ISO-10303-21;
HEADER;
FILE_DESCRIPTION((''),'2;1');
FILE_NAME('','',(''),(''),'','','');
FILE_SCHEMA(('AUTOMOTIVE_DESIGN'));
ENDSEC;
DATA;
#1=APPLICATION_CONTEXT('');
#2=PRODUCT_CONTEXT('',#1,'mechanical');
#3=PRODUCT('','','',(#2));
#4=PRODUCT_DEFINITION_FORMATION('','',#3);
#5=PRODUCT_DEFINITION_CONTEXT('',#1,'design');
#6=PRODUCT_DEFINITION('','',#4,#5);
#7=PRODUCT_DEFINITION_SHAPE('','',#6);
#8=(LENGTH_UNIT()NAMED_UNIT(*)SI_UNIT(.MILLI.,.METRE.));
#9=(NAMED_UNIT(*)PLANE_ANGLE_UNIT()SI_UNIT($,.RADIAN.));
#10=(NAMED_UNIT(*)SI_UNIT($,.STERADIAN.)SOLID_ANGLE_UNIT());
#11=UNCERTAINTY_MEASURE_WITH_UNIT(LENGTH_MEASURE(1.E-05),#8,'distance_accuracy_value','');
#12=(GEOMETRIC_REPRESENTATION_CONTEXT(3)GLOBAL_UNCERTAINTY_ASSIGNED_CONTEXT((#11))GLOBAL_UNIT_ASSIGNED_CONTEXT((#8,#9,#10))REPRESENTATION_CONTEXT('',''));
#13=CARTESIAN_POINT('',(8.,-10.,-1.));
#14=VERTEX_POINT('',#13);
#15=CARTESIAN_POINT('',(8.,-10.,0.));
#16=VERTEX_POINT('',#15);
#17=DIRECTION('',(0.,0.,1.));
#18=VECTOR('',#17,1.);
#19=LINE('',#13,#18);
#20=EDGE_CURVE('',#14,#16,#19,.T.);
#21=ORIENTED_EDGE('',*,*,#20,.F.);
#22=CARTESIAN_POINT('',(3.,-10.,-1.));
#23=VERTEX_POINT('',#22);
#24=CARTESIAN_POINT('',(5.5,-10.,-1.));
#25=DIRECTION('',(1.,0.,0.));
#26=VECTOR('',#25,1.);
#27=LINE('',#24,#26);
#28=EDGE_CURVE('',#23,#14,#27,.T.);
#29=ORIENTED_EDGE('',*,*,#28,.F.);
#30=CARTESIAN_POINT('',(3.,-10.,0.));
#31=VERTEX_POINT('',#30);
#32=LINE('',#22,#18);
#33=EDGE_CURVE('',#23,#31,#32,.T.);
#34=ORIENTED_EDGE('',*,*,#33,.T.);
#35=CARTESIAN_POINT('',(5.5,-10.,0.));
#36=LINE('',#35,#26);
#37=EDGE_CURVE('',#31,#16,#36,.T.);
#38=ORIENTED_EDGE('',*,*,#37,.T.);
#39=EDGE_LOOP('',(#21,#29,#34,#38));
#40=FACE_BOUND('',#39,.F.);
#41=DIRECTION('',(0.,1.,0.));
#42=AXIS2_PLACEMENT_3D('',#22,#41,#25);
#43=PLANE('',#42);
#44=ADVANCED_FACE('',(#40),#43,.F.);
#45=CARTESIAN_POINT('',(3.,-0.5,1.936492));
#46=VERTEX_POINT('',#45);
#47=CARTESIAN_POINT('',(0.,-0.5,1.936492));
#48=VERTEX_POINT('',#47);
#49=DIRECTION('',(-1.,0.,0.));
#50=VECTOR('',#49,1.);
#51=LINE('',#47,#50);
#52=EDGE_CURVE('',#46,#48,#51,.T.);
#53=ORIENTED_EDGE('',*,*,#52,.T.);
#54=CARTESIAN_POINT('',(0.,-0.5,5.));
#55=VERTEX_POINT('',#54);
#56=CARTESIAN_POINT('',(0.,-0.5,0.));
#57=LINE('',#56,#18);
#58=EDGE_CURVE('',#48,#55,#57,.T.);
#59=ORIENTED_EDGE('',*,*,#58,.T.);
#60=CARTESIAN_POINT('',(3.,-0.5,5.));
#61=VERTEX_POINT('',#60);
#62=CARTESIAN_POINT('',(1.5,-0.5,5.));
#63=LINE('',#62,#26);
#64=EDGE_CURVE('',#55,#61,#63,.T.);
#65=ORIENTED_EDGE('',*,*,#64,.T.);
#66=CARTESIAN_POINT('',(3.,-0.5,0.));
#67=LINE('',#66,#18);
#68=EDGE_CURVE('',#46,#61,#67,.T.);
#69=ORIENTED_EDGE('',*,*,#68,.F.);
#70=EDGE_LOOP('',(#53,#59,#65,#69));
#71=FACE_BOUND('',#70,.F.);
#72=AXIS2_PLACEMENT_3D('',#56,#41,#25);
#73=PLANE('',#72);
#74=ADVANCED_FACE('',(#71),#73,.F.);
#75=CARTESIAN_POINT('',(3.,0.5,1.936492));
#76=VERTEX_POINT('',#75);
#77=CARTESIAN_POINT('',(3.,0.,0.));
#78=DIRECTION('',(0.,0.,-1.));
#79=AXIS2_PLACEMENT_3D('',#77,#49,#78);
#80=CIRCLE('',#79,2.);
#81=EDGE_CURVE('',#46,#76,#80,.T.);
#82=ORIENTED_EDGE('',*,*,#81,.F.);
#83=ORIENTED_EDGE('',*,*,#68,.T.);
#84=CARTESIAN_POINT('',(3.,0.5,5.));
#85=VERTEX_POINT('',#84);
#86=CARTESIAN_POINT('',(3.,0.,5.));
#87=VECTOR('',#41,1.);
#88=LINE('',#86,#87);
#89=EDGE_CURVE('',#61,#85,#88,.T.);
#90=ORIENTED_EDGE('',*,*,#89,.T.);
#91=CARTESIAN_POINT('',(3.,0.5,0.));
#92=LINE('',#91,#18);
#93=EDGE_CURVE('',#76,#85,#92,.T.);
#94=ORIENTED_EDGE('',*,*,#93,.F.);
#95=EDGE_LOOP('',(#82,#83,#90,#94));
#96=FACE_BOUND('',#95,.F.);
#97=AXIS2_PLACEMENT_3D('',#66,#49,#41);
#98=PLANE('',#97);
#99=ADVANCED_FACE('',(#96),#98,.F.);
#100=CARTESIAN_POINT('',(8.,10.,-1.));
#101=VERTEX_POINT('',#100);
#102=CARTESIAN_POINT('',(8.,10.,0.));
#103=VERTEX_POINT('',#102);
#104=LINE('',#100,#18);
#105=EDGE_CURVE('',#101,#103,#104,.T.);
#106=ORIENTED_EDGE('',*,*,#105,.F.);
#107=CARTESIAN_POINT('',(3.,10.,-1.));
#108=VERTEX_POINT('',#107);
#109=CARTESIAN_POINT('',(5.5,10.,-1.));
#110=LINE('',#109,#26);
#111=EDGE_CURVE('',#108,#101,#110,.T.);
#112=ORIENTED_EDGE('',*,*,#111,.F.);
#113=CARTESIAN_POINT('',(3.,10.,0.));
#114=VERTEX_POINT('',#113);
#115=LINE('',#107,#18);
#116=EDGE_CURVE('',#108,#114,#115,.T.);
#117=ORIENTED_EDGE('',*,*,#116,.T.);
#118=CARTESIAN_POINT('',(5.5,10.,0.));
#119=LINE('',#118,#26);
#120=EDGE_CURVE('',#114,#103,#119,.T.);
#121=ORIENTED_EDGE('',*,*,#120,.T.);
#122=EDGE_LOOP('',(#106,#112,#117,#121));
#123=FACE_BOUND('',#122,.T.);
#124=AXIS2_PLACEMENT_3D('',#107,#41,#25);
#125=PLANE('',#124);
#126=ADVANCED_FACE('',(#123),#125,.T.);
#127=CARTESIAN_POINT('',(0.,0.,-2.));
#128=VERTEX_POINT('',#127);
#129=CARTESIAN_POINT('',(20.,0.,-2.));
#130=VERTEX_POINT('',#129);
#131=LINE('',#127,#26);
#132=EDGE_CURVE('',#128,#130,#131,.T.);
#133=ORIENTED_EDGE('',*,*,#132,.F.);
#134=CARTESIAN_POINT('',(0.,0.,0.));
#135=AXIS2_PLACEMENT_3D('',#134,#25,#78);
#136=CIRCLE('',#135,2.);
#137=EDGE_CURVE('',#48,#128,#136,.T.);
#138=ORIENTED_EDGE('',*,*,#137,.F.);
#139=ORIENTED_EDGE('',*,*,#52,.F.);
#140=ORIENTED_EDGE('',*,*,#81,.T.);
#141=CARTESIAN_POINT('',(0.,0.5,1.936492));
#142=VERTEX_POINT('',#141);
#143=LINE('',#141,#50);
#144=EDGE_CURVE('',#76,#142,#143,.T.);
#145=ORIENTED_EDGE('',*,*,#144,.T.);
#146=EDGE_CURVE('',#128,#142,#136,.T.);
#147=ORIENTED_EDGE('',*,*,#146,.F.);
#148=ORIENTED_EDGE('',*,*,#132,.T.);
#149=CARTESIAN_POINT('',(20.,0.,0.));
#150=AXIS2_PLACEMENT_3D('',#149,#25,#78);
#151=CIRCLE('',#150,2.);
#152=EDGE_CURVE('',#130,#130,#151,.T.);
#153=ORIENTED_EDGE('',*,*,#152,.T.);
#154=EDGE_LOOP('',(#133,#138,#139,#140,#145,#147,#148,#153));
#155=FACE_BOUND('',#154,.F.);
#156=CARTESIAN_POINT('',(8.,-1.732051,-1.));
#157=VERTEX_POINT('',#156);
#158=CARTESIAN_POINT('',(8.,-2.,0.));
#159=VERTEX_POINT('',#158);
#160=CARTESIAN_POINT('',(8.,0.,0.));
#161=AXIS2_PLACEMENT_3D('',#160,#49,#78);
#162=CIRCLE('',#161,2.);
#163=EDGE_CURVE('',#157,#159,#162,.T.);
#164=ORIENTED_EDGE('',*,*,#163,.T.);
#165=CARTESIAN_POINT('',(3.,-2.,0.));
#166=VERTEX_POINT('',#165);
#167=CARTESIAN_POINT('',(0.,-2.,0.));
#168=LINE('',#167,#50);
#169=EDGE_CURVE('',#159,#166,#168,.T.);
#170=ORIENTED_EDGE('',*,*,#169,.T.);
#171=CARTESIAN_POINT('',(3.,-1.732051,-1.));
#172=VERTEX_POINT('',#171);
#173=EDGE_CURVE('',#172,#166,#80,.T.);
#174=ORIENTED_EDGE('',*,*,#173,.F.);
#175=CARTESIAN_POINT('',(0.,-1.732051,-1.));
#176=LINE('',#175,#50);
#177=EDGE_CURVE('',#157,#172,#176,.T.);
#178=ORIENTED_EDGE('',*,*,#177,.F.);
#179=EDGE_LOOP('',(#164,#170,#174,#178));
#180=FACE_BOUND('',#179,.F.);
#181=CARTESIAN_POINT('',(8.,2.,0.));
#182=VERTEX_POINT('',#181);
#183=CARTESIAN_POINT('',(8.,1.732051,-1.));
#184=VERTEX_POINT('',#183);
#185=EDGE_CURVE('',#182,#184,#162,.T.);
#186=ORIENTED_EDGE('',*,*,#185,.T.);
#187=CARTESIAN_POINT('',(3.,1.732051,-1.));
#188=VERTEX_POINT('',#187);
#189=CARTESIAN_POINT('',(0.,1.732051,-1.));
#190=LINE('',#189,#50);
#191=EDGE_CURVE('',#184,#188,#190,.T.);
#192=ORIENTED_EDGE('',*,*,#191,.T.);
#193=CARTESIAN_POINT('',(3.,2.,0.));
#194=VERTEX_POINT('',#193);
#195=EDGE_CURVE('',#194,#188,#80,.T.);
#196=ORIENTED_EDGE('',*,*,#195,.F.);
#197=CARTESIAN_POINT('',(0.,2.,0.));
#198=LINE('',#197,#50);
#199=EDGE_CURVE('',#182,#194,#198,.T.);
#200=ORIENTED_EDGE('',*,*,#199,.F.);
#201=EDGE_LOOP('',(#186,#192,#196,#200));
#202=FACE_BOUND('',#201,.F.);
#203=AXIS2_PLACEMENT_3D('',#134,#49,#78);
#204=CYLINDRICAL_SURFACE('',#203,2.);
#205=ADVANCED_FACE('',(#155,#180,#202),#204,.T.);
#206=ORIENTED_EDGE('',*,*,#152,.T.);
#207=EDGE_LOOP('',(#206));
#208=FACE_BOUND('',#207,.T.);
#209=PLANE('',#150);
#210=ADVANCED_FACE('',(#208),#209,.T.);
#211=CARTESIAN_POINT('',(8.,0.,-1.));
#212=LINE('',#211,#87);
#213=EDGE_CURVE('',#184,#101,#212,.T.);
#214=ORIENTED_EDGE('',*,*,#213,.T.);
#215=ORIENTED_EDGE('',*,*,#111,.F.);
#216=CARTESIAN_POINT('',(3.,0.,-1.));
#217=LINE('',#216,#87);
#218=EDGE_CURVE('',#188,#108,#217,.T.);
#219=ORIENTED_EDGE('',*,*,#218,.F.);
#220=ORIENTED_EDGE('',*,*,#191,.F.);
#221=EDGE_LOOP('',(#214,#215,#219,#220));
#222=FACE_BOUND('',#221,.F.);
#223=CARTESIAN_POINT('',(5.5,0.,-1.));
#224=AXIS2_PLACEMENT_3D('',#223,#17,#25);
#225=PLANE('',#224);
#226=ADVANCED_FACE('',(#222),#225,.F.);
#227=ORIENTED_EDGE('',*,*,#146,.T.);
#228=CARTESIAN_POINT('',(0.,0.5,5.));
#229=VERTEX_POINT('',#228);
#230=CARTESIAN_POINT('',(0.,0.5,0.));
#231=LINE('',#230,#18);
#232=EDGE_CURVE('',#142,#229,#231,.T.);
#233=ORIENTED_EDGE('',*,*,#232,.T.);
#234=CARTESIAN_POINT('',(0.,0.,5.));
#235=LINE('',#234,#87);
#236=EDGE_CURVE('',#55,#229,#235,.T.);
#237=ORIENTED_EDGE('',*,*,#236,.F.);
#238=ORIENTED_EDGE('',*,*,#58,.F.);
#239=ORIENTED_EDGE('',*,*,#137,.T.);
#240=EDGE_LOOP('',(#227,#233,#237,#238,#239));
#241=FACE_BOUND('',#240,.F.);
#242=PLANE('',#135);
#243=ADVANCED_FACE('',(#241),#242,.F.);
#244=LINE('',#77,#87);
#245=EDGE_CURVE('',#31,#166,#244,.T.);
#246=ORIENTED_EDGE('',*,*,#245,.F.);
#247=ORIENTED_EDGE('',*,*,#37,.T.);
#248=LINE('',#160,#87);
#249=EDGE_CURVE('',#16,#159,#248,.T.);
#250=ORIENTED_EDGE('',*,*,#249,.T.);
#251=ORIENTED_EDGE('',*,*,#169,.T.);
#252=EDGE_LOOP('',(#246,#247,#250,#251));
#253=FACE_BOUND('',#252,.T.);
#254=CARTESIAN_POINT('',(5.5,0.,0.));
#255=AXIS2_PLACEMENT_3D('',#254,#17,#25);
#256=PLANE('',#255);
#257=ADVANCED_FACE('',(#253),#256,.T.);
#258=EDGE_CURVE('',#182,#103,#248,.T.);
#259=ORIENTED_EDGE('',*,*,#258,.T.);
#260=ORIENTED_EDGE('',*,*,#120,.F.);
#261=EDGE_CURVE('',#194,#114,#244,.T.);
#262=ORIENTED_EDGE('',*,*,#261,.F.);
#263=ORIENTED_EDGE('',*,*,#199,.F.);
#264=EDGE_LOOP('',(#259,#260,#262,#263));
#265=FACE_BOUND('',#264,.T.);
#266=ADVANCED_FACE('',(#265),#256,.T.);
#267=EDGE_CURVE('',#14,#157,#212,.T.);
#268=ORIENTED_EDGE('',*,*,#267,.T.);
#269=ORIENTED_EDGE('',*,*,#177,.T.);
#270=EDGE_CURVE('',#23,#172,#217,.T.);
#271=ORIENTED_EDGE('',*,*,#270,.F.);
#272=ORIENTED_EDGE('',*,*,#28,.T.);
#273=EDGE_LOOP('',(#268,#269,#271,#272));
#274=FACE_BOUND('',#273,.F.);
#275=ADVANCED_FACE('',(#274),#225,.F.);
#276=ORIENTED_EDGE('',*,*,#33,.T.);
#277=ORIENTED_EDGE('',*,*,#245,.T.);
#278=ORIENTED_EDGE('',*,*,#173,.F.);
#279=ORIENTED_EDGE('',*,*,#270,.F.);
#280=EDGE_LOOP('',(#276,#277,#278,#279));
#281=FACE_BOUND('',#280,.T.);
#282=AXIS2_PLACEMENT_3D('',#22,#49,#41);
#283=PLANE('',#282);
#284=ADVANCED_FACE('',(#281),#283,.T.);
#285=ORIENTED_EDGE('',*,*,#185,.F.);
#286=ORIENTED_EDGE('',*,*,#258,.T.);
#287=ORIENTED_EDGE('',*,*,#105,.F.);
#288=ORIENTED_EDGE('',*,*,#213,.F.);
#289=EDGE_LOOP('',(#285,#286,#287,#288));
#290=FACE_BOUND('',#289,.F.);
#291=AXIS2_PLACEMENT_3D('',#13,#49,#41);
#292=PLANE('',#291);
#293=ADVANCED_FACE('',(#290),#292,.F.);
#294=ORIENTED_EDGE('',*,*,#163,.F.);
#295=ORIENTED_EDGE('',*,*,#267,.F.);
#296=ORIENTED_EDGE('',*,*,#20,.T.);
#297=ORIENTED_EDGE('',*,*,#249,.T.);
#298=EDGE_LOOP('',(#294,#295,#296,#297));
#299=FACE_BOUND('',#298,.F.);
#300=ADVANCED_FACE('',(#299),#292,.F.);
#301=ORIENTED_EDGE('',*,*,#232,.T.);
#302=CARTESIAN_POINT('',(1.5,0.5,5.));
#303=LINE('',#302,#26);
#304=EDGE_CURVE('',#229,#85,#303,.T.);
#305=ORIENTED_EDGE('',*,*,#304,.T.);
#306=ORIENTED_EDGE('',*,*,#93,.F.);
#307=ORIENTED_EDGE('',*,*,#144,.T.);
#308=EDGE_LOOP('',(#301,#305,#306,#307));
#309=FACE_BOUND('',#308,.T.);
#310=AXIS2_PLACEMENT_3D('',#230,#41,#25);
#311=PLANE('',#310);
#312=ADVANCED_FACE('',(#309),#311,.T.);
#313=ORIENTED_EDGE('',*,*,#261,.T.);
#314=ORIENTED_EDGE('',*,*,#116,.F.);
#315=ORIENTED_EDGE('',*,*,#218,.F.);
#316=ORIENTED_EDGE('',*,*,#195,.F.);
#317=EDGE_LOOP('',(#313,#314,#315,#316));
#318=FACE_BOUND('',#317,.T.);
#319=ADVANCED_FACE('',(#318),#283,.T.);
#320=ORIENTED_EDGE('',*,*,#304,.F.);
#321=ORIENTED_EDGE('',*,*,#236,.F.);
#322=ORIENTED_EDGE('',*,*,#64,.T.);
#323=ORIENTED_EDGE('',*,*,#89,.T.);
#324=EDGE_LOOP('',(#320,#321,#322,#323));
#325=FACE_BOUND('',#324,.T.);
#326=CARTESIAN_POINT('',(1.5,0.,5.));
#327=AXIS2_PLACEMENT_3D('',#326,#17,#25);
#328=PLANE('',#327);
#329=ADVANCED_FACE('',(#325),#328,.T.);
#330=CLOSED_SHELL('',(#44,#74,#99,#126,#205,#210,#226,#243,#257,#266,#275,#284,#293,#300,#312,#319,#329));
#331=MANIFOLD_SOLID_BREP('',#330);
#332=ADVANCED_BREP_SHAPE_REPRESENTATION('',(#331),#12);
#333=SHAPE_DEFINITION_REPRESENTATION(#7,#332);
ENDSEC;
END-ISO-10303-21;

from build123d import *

# Parameters (mm, degrees)
BOX_W          = 5
BOX_H          = 20
BOX_DEPTH      = 1
CYLINDER_R     = 2
CYLINDER_DEPTH = 20
BOX001_W       = 3
BOX001_H       = 1
BOX001_DEPTH   = 5


with BuildPart() as cube:
    # Box → Box (new body)
    with BuildSketch(Plane(origin=(3, -10, -1), x_dir=(1, 0, 0), z_dir=(0, 0, 1))):
        with Locations((2.5, 10)):
            Rectangle(BOX_W, BOX_H)
    extrude(amount=BOX_DEPTH)


with BuildPart() as fusion:
    # Cylinder → Cylinder (new body)
    with BuildSketch(Plane(origin=(0, 0, 0), x_dir=(0, 0, -1), z_dir=(1, 0, 0))):
        Circle(CYLINDER_R)
    extrude(amount=CYLINDER_DEPTH)

    # Fusion: union Cube
    add(cube.part)


with BuildPart() as aeroplane:
    # Box001 → Box001 (new body)
    with BuildSketch(Plane(origin=(0, -0.5, 0), x_dir=(1, 0, 0), z_dir=(0, 0, 1))):
        with Locations((1.5, 0.5)):
            Rectangle(BOX001_W, BOX001_H)
    extrude(amount=BOX001_DEPTH)

    # Fusion001: union Fusion
    add(fusion.part)


solid = aeroplane.part
